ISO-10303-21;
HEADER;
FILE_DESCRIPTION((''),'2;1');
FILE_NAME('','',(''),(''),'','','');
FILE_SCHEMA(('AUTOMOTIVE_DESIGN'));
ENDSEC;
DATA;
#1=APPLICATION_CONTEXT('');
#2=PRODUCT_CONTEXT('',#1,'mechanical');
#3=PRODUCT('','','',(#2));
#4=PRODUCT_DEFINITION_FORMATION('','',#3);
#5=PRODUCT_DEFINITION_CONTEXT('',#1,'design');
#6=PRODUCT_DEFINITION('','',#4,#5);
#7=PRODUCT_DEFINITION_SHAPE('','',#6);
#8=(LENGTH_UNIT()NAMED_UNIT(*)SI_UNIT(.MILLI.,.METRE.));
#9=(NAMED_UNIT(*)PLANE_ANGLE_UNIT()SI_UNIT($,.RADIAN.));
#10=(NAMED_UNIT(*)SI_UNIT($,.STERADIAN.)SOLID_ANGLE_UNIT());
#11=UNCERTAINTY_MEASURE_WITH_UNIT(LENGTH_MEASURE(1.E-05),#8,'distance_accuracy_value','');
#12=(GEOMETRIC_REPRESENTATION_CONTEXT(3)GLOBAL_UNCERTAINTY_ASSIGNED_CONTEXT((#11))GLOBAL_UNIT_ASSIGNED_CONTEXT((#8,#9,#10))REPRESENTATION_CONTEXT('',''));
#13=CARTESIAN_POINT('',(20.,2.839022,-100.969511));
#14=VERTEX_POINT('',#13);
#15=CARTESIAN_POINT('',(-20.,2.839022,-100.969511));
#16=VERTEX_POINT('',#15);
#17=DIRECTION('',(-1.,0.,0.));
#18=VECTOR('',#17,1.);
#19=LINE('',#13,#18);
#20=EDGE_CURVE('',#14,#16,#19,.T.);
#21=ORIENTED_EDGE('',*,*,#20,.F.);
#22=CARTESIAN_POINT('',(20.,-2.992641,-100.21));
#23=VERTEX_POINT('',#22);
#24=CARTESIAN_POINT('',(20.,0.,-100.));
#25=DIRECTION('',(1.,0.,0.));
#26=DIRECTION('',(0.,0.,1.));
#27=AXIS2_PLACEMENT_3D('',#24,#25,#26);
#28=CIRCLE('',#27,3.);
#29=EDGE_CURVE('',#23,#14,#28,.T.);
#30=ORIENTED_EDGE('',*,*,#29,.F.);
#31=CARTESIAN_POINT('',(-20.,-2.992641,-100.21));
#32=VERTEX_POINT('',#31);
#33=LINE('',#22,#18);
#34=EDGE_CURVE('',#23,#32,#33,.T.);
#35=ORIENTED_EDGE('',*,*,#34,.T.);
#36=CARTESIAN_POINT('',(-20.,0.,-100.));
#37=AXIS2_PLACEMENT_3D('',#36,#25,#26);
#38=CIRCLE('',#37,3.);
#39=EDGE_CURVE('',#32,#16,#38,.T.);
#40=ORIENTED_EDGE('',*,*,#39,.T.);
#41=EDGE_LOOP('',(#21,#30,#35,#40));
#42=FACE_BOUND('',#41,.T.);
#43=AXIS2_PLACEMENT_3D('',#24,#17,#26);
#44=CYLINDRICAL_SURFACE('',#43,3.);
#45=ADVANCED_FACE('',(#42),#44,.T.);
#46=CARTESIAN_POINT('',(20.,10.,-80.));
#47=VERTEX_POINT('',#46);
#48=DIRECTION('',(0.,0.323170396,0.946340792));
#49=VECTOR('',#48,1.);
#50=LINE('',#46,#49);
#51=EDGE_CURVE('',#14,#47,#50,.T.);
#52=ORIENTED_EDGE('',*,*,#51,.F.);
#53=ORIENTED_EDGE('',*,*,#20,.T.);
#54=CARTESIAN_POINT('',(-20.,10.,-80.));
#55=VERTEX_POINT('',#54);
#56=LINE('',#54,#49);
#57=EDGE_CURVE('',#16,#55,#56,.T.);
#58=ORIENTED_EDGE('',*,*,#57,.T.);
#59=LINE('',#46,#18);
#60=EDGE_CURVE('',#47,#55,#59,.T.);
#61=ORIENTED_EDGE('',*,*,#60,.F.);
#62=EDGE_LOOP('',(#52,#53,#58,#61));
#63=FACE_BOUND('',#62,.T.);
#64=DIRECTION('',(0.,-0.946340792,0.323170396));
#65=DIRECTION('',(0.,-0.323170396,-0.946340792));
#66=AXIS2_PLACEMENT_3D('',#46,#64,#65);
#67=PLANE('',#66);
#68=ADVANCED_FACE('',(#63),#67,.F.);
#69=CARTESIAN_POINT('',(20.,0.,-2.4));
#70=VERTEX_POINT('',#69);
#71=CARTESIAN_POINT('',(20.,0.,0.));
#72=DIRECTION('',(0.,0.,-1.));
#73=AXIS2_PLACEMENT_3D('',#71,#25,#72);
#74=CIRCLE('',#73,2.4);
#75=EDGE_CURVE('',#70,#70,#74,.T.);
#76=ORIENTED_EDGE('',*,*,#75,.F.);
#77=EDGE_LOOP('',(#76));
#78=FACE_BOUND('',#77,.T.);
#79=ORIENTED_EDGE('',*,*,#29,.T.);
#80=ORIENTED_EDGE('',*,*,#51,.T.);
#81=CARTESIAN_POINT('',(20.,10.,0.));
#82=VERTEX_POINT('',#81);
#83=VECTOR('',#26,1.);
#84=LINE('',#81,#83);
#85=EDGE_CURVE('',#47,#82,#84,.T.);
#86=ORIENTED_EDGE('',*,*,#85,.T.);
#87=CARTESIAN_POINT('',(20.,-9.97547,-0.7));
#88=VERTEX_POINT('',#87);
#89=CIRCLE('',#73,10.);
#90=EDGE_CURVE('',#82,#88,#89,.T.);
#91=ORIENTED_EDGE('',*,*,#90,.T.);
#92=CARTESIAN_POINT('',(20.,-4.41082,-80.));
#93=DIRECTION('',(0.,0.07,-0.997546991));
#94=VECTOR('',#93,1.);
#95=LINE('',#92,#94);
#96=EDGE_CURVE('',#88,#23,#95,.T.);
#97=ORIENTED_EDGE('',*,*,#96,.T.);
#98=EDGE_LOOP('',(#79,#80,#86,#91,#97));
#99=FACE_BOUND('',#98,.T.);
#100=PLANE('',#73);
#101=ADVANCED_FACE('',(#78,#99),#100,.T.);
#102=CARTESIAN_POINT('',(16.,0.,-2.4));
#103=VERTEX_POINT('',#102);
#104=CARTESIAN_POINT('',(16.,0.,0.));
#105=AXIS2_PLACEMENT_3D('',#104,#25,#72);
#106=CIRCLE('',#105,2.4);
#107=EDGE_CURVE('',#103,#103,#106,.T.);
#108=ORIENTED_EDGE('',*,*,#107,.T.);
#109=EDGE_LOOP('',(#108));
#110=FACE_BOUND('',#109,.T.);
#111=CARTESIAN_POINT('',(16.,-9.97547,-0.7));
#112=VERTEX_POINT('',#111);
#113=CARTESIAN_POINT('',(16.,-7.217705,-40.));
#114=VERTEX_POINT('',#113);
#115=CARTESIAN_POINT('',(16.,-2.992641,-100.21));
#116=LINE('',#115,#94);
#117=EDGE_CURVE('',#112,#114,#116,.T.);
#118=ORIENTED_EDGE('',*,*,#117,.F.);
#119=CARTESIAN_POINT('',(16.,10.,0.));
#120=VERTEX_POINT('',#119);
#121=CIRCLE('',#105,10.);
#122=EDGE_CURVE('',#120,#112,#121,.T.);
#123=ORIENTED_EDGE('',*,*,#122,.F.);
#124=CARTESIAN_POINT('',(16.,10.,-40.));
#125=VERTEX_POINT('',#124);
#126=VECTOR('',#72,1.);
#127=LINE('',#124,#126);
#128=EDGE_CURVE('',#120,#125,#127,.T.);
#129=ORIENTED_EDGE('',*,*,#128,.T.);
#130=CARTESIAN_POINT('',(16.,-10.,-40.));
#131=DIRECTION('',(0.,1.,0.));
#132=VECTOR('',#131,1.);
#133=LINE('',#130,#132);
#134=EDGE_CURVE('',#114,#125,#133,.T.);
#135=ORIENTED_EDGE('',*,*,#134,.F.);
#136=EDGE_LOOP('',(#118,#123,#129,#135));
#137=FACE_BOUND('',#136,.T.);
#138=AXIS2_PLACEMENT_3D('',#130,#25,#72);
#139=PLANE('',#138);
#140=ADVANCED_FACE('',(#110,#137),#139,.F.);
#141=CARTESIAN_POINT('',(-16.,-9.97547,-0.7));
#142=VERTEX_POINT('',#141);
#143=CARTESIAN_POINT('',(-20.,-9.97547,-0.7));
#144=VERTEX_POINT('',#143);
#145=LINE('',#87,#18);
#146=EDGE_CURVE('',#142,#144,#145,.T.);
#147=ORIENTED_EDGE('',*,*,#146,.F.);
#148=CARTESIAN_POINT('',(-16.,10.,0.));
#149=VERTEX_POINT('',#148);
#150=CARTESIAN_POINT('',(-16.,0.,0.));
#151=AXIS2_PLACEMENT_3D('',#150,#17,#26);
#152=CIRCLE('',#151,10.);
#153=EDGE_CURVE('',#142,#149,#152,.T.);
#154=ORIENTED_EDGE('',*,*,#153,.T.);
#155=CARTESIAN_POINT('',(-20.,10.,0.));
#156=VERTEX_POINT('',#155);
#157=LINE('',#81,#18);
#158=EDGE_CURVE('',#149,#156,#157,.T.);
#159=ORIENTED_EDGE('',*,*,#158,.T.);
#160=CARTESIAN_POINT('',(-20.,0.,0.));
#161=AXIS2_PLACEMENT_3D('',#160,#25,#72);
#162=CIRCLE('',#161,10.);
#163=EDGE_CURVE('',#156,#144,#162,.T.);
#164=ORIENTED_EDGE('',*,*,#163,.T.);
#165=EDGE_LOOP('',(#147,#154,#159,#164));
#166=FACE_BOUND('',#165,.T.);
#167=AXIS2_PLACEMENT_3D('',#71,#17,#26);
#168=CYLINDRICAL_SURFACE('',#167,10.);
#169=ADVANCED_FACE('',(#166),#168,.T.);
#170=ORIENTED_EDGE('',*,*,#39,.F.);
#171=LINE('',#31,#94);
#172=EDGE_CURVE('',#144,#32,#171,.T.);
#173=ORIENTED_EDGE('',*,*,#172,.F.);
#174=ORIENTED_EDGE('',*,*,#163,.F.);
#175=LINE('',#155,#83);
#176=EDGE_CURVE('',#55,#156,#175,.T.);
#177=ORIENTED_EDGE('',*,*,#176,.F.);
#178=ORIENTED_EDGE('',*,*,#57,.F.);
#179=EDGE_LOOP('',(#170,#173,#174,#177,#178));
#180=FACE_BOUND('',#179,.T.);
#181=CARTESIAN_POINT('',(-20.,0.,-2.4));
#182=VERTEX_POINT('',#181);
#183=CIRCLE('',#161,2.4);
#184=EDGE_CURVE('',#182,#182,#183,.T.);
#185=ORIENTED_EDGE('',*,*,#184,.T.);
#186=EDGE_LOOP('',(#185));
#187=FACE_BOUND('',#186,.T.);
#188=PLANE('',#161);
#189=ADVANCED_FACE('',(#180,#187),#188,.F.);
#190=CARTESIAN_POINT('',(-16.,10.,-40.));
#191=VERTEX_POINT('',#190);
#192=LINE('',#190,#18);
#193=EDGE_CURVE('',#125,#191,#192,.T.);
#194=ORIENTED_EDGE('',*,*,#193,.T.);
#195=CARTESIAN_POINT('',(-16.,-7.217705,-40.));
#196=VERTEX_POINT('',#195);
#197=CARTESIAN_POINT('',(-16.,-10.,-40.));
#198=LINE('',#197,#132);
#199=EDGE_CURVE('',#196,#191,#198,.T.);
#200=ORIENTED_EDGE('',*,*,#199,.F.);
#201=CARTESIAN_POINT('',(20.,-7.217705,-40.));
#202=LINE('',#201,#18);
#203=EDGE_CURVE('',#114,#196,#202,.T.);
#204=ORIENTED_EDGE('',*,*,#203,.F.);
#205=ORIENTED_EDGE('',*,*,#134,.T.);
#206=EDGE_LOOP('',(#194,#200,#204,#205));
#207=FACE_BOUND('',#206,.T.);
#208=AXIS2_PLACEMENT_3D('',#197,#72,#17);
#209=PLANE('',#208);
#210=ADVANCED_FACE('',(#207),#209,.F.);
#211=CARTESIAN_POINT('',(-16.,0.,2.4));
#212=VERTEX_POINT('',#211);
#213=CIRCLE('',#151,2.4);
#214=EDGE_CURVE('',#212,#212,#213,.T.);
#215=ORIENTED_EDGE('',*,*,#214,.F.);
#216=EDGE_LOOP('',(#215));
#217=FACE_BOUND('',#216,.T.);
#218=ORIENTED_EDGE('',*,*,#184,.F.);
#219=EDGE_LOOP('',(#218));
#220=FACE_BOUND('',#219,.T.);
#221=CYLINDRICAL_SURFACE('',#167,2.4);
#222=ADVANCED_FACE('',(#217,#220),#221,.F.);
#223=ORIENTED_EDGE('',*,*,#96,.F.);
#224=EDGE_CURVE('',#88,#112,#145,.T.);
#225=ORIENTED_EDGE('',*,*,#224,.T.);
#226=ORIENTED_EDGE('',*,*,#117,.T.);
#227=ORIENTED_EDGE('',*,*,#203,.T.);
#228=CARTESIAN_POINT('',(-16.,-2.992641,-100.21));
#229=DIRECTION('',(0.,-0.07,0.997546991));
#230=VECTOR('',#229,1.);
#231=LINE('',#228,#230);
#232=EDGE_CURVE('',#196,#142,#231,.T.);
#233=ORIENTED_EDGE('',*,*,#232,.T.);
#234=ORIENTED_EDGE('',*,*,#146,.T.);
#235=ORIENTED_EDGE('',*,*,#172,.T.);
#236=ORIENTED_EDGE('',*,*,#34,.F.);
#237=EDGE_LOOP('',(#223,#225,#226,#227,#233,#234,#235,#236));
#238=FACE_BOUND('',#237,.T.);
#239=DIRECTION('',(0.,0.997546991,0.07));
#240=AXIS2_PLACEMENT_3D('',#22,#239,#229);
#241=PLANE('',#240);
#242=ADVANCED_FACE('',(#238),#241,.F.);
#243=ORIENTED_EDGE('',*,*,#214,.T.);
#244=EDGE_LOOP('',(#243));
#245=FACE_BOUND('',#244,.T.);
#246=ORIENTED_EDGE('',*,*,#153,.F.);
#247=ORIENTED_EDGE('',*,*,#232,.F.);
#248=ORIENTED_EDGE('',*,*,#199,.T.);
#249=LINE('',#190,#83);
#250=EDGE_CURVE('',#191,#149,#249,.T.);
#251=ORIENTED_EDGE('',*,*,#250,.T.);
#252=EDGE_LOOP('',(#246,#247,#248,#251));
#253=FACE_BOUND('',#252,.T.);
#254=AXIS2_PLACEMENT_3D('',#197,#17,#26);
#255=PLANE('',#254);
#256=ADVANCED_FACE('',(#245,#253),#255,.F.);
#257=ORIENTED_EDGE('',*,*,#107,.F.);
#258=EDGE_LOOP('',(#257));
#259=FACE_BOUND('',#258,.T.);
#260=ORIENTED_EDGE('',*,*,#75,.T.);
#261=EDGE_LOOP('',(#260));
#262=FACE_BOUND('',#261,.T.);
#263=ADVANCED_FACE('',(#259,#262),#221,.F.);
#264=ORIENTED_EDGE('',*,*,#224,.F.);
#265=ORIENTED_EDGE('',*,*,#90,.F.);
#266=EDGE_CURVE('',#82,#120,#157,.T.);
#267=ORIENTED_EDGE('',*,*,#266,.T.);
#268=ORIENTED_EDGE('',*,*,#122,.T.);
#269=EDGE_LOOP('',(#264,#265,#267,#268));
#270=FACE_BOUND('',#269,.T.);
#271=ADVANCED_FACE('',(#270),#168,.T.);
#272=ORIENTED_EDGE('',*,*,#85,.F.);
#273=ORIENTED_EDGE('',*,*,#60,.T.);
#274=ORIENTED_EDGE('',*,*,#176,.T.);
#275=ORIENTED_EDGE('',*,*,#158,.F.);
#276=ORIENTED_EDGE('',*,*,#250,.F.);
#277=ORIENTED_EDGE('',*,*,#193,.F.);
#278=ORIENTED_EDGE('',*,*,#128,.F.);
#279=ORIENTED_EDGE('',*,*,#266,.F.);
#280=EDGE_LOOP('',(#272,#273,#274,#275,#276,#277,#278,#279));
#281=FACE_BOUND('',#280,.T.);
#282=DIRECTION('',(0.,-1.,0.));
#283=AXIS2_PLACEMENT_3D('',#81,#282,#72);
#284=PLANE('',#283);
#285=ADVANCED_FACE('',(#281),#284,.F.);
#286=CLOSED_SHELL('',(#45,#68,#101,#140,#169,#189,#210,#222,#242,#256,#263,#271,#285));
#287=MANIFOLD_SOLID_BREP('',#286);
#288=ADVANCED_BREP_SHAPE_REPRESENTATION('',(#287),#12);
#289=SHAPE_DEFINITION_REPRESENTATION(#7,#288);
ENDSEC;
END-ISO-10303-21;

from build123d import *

# Parameters (mm, degrees)
SKETCH1_R              = 2.4
ARM_DEPTH              = 20
ELBOW_MOUNT_DEPTH      = 106.399240984
ELBOW_MOUNT_DEPTH_BACK = 106.399240984
SKETCH2_W              = 32
SKETCH2_H              = 50


with BuildPart() as part:
    # Sketch1 → arm (new, symmetric)
    with BuildSketch(Plane(origin=(0, 0, 0), x_dir=(0, 0, -1), z_dir=(1, 0, 0))):
        with BuildLine():
            Line((0, 10), (80, 10))
            Line((80, 10), (100.969511188, 2.839022377))
            ThreePointArc((100.969511188, 2.839022377), (102.974875799, -0.387445454), (100.21, -2.992640974))
            Line((100.21, -2.992640974), (80, -4.410819779))
            Line((80, -4.410819779), (0.7, -9.975469914))
            ThreePointArc((0.7, -9.975469914), (-9.993865597, -0.350214836), (0, 10))
        make_face()
        Circle(SKETCH1_R, mode=Mode.SUBTRACT)
    extrude(amount=ARM_DEPTH, both=True)

    # Sketch2 → elbow mount (cut, two sides: drawn at the far end of the back side and taken through both)
    with BuildSketch(Plane(origin=(0, 0, 0), x_dir=(1, 0, 0), z_dir=(0, 1, 0)).offset(-ELBOW_MOUNT_DEPTH_BACK)):
        with Locations((0, 15)):
            Rectangle(SKETCH2_W, SKETCH2_H)
    extrude(amount=ELBOW_MOUNT_DEPTH + ELBOW_MOUNT_DEPTH_BACK, mode=Mode.SUBTRACT)


solid = part.part
